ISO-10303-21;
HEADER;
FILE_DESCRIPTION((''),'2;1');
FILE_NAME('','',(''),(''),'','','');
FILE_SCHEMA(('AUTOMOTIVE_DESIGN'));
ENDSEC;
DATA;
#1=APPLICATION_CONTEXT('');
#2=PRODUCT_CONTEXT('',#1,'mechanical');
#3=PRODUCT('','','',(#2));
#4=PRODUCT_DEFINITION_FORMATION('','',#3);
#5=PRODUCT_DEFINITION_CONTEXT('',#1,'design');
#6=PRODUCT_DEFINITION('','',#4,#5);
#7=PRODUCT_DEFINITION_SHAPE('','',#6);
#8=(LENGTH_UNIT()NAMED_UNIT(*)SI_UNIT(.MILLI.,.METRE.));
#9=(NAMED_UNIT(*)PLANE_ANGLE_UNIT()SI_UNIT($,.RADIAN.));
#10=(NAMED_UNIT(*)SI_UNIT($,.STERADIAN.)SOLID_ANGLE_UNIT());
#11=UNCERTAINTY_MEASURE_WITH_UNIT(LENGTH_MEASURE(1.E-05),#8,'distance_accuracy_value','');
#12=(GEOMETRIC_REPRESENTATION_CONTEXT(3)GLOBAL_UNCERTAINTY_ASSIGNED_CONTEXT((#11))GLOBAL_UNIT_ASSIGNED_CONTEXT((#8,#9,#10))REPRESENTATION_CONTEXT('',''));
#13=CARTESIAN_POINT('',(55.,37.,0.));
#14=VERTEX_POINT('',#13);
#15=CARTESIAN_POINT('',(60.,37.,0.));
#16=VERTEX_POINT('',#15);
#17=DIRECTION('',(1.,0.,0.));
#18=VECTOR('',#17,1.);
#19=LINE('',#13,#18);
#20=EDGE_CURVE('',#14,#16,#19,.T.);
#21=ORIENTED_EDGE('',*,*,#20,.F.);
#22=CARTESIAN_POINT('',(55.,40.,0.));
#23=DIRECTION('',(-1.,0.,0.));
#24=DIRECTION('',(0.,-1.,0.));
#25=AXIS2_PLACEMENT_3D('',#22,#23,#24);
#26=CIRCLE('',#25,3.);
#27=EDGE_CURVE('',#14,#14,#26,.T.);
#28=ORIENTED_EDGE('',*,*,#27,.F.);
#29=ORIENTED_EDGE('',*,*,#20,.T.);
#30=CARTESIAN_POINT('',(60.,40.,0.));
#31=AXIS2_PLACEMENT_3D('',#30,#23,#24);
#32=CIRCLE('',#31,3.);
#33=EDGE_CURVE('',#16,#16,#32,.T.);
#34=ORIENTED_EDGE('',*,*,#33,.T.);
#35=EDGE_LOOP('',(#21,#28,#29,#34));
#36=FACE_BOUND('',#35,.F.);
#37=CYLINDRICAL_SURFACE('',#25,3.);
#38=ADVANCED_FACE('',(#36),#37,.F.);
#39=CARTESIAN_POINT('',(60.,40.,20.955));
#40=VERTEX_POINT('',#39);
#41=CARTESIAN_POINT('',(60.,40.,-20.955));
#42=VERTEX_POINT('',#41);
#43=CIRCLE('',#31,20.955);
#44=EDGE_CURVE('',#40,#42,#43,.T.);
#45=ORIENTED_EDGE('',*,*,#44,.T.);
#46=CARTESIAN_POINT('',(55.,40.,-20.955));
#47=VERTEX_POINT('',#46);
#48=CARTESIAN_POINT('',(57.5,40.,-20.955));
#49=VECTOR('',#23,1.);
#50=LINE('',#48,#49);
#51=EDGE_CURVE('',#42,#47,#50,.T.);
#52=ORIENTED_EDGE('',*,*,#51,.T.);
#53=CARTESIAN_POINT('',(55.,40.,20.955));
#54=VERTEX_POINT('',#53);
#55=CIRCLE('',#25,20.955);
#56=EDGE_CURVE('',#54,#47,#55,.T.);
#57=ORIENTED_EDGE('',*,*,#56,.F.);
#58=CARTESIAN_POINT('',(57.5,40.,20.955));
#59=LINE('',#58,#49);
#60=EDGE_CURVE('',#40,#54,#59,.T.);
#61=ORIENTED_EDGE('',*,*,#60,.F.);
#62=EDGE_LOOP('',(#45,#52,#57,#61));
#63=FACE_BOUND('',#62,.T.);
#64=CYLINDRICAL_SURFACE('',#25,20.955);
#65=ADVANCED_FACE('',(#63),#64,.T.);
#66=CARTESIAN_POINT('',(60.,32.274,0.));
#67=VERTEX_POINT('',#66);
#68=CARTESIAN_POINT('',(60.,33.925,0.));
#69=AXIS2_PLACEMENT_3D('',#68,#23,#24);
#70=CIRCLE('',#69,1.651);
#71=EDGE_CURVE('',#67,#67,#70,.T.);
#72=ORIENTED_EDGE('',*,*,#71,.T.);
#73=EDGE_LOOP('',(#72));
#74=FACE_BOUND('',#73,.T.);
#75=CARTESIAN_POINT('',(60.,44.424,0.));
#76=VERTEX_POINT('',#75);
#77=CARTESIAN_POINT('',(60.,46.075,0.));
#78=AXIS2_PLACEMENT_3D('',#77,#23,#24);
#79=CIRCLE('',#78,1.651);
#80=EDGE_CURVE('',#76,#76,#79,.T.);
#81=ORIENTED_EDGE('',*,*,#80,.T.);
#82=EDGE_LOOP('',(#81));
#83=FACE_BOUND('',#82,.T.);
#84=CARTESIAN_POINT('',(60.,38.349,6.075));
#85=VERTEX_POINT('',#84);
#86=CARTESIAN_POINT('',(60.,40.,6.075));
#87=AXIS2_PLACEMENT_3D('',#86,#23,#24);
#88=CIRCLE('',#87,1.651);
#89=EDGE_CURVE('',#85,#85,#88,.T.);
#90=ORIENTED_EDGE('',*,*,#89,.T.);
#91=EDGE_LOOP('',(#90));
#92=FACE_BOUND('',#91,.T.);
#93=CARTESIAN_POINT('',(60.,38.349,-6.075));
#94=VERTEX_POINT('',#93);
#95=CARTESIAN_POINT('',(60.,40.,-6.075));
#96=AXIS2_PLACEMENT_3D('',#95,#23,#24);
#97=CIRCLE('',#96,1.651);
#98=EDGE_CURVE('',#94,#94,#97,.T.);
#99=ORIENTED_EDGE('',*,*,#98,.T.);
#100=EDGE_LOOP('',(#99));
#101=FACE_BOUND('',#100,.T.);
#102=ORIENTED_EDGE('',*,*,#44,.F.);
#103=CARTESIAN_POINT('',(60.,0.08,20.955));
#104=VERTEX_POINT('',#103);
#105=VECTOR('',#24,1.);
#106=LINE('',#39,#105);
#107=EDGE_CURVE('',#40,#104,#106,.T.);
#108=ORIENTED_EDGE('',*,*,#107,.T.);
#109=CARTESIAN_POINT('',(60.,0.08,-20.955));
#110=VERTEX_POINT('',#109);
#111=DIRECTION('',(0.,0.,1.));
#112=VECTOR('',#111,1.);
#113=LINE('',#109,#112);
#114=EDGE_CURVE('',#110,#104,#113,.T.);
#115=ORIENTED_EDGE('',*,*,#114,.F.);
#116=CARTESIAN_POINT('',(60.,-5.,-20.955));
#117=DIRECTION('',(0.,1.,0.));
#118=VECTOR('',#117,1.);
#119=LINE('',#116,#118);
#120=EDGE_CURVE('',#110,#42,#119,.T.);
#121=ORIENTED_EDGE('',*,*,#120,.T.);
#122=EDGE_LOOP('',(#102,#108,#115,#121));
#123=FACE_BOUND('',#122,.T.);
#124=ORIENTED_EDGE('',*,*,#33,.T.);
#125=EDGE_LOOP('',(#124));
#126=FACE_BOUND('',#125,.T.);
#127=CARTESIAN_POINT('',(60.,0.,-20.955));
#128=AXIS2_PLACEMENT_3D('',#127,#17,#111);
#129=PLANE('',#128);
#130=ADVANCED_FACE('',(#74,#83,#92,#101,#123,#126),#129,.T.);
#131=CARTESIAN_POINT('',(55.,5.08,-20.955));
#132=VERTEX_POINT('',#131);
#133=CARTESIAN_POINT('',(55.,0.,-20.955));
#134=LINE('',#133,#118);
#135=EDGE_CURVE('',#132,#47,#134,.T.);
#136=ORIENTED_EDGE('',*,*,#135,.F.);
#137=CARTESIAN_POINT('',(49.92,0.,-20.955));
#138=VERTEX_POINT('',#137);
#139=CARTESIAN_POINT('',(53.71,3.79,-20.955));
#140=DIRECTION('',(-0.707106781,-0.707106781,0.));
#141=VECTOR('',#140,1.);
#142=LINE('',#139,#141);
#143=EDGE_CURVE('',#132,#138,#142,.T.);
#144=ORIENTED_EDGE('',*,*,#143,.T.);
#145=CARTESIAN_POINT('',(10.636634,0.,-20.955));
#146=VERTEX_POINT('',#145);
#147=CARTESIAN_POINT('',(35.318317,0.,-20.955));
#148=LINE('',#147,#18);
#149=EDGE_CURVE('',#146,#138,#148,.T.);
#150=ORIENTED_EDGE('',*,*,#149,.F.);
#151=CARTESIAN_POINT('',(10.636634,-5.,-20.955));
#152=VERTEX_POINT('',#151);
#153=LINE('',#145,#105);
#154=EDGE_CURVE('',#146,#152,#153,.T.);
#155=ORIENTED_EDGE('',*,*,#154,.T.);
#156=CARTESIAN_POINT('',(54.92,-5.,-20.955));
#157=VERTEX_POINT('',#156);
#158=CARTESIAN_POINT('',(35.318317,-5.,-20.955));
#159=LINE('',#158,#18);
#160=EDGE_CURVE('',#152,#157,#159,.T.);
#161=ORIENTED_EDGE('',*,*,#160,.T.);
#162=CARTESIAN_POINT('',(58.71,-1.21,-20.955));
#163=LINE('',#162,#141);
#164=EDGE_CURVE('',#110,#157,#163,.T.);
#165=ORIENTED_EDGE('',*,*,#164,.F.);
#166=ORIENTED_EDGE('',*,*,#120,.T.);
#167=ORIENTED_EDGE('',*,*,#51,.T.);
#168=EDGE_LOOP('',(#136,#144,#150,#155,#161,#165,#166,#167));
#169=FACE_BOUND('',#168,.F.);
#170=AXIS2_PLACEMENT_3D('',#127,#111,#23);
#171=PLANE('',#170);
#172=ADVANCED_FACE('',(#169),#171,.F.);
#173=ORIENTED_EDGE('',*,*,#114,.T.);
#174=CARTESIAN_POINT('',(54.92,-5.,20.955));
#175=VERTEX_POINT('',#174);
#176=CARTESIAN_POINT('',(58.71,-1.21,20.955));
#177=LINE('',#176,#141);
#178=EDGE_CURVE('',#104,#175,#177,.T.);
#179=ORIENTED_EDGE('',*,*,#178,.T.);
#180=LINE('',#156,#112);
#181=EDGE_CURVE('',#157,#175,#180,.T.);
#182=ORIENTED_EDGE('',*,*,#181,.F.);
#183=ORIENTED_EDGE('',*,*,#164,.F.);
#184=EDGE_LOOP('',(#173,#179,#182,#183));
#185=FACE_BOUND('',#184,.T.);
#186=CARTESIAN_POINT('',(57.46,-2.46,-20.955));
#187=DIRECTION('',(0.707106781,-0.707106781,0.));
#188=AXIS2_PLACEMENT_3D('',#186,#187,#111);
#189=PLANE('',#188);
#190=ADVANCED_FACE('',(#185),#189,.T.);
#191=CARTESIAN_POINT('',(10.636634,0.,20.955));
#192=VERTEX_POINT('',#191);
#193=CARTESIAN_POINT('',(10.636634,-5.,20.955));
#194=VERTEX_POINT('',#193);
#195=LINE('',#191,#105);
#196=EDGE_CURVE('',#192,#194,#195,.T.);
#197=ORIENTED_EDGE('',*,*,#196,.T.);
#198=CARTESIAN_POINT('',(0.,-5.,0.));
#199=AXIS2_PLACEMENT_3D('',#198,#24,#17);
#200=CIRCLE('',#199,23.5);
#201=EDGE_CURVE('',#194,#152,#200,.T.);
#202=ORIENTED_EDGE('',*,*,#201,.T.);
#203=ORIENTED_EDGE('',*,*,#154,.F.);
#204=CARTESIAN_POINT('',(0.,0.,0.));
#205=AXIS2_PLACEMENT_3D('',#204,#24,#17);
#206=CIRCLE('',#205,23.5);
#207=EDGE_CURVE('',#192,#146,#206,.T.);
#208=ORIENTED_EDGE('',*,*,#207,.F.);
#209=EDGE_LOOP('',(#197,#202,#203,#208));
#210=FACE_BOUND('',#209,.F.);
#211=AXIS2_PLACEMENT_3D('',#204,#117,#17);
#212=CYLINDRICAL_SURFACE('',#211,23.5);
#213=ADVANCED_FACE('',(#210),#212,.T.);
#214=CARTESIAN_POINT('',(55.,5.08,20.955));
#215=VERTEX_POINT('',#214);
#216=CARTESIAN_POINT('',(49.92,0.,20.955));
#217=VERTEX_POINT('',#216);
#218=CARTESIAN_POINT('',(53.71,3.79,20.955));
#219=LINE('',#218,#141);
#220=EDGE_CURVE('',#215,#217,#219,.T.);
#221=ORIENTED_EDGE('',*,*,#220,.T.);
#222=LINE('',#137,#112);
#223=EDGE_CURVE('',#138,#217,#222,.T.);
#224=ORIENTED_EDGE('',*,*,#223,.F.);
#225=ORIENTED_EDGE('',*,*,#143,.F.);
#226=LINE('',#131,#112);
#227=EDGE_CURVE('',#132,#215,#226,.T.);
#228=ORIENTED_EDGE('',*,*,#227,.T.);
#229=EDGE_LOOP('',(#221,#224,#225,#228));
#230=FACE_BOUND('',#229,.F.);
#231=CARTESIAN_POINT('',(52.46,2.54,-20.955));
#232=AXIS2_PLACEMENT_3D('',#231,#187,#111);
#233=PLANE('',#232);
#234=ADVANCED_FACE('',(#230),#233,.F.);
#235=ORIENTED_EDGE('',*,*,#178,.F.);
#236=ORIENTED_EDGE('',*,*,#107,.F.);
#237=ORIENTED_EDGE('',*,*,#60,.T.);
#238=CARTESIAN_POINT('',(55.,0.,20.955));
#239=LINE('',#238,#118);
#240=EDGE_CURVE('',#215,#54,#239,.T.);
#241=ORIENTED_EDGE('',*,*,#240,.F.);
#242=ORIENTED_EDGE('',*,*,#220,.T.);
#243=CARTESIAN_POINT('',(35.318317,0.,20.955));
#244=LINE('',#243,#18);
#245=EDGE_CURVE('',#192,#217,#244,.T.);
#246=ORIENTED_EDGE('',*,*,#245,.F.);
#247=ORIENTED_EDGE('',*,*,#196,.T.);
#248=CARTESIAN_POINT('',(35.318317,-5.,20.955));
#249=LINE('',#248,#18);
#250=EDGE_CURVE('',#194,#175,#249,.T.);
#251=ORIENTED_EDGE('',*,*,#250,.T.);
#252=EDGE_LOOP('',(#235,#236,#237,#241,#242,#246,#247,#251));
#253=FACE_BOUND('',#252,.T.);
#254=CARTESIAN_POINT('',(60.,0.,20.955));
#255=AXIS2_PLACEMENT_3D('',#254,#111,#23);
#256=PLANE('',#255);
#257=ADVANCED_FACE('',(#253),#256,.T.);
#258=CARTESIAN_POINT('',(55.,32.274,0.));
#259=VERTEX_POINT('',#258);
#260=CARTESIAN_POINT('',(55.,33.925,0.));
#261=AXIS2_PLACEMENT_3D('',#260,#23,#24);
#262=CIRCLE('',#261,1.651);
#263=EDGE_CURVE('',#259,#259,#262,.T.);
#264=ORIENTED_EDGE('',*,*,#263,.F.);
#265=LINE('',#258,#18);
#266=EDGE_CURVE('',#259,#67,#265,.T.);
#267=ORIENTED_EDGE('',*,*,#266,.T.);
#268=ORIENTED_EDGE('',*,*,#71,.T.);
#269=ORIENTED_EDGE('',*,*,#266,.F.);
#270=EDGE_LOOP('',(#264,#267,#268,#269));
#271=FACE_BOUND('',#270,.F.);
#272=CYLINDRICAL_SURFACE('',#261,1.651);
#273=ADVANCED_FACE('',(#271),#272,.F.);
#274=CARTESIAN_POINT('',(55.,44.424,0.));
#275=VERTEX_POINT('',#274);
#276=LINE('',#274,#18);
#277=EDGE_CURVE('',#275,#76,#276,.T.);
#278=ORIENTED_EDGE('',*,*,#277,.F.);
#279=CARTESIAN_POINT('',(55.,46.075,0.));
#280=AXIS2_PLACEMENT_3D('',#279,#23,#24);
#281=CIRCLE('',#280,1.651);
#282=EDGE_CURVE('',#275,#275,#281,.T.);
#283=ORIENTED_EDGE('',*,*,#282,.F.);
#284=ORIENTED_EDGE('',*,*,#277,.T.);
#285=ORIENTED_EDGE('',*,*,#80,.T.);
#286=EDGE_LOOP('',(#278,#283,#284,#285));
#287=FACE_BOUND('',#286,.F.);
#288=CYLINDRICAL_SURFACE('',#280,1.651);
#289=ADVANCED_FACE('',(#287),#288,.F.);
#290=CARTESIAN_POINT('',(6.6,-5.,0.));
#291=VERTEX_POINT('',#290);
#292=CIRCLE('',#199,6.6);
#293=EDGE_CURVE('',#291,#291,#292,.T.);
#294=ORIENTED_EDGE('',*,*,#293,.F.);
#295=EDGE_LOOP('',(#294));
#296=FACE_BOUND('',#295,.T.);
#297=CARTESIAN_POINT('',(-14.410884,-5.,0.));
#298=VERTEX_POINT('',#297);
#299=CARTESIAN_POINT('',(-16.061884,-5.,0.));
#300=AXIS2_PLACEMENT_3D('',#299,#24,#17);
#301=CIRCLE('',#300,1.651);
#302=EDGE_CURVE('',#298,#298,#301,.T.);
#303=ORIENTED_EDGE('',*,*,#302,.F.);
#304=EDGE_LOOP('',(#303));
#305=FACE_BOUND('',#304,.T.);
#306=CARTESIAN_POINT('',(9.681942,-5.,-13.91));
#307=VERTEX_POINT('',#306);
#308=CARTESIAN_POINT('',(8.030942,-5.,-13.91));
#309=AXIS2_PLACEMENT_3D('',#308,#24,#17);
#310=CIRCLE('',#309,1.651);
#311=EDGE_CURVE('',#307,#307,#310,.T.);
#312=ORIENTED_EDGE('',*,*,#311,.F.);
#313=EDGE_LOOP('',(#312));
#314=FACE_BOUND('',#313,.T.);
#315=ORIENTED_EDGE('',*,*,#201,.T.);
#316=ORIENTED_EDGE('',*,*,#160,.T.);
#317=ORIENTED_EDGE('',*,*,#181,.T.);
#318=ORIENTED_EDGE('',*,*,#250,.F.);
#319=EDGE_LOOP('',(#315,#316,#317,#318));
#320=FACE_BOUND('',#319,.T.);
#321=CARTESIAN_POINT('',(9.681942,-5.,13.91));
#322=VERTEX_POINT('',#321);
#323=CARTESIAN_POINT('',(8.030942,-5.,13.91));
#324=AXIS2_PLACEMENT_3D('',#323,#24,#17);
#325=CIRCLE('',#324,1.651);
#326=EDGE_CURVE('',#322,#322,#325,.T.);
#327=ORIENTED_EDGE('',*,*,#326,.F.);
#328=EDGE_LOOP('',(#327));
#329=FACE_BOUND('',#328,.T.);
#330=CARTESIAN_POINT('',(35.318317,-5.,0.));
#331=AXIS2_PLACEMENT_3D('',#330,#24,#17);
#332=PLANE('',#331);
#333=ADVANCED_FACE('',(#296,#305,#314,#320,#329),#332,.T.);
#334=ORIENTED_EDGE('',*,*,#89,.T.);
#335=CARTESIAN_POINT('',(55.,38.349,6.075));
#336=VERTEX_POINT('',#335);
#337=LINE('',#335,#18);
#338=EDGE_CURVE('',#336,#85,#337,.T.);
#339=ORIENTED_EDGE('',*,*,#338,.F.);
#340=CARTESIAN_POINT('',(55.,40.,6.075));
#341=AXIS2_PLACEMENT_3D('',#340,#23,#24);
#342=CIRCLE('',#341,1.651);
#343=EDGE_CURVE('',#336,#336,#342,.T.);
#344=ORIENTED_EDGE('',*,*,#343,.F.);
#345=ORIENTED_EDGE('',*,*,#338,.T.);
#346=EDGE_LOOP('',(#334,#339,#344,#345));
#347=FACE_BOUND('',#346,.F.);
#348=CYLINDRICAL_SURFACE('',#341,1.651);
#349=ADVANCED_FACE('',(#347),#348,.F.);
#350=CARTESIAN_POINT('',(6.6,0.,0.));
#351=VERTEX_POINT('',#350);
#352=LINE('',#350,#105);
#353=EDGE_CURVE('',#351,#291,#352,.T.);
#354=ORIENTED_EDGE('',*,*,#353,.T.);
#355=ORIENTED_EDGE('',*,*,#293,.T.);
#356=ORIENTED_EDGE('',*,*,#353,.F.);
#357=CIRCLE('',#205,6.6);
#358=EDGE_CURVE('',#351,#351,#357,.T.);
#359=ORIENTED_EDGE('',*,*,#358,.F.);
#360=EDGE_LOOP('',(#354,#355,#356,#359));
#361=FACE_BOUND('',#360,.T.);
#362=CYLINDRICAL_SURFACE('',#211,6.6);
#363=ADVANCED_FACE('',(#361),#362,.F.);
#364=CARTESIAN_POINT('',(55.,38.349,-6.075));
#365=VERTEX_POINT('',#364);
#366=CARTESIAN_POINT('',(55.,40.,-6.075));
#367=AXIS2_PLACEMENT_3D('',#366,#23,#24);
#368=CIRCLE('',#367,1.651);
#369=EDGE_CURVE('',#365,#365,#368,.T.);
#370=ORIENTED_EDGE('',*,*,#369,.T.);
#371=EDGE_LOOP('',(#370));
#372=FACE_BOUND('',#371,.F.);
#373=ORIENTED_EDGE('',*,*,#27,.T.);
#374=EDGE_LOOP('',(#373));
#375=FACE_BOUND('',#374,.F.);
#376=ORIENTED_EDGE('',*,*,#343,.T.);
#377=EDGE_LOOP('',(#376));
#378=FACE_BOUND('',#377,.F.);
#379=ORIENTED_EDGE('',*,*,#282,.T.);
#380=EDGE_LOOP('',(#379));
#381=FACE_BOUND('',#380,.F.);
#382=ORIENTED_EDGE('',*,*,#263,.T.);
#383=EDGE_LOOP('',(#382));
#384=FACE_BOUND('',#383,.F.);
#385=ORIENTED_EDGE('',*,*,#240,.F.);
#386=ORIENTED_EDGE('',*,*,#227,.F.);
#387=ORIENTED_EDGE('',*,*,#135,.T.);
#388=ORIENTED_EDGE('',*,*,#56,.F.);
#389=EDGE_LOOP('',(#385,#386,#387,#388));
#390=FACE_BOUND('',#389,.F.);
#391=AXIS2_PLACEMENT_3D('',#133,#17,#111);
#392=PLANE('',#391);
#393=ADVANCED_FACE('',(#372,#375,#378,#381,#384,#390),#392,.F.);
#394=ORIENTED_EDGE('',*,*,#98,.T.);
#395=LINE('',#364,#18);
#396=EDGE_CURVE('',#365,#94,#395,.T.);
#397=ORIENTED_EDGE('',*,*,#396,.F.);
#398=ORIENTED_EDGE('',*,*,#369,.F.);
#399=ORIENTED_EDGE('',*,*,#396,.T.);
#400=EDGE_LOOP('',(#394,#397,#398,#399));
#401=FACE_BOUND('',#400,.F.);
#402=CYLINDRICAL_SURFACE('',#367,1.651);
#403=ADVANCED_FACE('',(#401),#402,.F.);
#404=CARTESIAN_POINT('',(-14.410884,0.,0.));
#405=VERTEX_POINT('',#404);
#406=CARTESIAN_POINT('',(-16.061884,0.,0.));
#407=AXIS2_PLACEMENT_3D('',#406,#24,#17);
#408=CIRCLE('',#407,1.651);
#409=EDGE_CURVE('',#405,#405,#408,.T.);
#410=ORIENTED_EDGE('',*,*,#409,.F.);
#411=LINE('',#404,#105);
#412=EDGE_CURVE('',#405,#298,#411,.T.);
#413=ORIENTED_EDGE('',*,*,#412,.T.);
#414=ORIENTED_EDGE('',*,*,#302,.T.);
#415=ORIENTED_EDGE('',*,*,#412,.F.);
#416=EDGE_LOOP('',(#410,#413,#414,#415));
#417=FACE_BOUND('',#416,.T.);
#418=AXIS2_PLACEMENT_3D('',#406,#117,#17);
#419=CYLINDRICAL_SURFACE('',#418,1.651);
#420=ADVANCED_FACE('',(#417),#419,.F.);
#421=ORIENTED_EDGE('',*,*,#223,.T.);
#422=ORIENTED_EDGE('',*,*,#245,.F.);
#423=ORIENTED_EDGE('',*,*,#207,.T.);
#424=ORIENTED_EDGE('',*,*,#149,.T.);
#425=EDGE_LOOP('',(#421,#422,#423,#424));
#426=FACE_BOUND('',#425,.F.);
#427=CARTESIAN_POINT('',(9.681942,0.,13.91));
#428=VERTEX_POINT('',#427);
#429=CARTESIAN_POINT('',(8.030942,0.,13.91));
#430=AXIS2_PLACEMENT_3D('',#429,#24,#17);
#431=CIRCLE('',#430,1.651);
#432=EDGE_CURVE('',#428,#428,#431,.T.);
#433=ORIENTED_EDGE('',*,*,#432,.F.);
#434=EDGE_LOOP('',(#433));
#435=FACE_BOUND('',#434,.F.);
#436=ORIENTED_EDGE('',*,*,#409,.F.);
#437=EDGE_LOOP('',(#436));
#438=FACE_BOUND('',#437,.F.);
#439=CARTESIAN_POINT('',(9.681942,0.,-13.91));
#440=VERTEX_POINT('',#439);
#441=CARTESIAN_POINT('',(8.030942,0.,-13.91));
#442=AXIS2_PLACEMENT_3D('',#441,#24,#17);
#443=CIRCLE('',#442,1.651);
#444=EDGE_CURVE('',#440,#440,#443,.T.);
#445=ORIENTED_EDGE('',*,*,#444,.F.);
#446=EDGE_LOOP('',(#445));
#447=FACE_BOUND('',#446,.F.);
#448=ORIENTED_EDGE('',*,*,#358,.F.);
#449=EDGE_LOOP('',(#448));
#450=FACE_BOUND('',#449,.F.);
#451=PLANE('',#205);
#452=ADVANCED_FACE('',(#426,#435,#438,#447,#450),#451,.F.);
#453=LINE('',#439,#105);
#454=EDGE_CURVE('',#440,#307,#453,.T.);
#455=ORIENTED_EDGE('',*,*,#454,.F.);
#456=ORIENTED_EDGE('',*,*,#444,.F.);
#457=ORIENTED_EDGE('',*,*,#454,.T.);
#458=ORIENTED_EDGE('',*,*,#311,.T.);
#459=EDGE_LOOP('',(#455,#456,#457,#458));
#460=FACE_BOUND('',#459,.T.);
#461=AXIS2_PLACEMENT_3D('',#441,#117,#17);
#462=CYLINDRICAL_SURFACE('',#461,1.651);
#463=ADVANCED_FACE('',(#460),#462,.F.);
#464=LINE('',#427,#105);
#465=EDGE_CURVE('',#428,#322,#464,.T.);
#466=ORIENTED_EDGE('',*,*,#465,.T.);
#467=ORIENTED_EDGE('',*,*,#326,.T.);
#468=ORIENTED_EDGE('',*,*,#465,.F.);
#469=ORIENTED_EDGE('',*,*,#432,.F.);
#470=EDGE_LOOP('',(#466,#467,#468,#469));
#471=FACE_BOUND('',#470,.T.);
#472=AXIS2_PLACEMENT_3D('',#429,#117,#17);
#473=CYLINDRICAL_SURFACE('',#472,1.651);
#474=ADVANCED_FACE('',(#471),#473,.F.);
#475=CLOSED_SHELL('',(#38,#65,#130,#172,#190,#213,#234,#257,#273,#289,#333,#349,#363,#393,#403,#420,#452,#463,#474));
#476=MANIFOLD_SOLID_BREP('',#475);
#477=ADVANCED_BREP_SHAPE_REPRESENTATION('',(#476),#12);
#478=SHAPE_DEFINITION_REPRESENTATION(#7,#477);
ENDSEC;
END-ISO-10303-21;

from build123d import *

# Parameters (mm, degrees)
F0_R     = 23.5
F0_R_2   = 1.651
F0_R_3   = 6.6
F1_DEPTH = 5
F2_W     = 49.363366
F2_H     = 41.91
F3_DEPTH = 5
F4_W     = 5
F4_H     = 41.91
F5_DEPTH = 40
F6_R     = 20.955
F7_DEPTH = 5
F8_R     = 1.651
F8_R_2   = 3
F9_DEPTH = 25.4
F10_SIZE = 5.08


with BuildPart() as f1:
    # F0 (on Front) → F1 (new body)
    with BuildSketch(Plane.XZ):
        Circle(F0_R)
        with Locations((8.030942, -13.91)):
            Circle(F0_R_2, mode=Mode.SUBTRACT)
        with Locations((-16.061884, 0)):
            Circle(F0_R_2, mode=Mode.SUBTRACT)
        Circle(F0_R_3, mode=Mode.SUBTRACT)
        with Locations((8.030942, 13.91)):
            Circle(F0_R_2, mode=Mode.SUBTRACT)
    extrude(amount=F1_DEPTH)

    # F2 (on Front) → F3 (join)
    with BuildSketch(Plane.XZ):
        with Locations((35.318317, 0)):
            Rectangle(F2_W, F2_H)
    extrude(amount=F3_DEPTH)

    # F4 (on face) → F5 (join)
    with BuildSketch(Plane(origin=(0, 0, 0), x_dir=(-1, 0, 0), z_dir=(0, 1, 0))):
        with Locations((-57.5, 0)):
            Rectangle(F4_W, F4_H)
    extrude(amount=F5_DEPTH)

    # F6 (on face) → F7 (join)
    with BuildSketch(Plane(origin=(55, 0, 0), x_dir=(0, -1, 0), z_dir=(-1, 0, 0))):
        with Locations((-40, 0)):
            Circle(F6_R)
    extrude(amount=-F7_DEPTH)

    # F8 (on face) → F9 (cut)
    with BuildSketch(Plane(origin=(55, 0, 0), x_dir=(0, -1, 0), z_dir=(-1, 0, 0))):
        with Locations((-40, 6.075)):
            Circle(F8_R)
        with Locations((-46.075, 0)):
            Circle(F8_R)
        with Locations((-40, -6.075)):
            Circle(F8_R)
        with Locations((-33.925, 0)):
            Circle(F8_R)
        with Locations((-40, 0)):
            Circle(F8_R_2)
    extrude(amount=-F9_DEPTH, mode=Mode.SUBTRACT)

    # F10
    f10_edges = [f1.edges().sort_by_distance(p)[0] for p in [
        (55, 0, 0),
        (60, -5, 0),
    ]]
    chamfer(f10_edges, length=F10_SIZE)


solid = f1.part
